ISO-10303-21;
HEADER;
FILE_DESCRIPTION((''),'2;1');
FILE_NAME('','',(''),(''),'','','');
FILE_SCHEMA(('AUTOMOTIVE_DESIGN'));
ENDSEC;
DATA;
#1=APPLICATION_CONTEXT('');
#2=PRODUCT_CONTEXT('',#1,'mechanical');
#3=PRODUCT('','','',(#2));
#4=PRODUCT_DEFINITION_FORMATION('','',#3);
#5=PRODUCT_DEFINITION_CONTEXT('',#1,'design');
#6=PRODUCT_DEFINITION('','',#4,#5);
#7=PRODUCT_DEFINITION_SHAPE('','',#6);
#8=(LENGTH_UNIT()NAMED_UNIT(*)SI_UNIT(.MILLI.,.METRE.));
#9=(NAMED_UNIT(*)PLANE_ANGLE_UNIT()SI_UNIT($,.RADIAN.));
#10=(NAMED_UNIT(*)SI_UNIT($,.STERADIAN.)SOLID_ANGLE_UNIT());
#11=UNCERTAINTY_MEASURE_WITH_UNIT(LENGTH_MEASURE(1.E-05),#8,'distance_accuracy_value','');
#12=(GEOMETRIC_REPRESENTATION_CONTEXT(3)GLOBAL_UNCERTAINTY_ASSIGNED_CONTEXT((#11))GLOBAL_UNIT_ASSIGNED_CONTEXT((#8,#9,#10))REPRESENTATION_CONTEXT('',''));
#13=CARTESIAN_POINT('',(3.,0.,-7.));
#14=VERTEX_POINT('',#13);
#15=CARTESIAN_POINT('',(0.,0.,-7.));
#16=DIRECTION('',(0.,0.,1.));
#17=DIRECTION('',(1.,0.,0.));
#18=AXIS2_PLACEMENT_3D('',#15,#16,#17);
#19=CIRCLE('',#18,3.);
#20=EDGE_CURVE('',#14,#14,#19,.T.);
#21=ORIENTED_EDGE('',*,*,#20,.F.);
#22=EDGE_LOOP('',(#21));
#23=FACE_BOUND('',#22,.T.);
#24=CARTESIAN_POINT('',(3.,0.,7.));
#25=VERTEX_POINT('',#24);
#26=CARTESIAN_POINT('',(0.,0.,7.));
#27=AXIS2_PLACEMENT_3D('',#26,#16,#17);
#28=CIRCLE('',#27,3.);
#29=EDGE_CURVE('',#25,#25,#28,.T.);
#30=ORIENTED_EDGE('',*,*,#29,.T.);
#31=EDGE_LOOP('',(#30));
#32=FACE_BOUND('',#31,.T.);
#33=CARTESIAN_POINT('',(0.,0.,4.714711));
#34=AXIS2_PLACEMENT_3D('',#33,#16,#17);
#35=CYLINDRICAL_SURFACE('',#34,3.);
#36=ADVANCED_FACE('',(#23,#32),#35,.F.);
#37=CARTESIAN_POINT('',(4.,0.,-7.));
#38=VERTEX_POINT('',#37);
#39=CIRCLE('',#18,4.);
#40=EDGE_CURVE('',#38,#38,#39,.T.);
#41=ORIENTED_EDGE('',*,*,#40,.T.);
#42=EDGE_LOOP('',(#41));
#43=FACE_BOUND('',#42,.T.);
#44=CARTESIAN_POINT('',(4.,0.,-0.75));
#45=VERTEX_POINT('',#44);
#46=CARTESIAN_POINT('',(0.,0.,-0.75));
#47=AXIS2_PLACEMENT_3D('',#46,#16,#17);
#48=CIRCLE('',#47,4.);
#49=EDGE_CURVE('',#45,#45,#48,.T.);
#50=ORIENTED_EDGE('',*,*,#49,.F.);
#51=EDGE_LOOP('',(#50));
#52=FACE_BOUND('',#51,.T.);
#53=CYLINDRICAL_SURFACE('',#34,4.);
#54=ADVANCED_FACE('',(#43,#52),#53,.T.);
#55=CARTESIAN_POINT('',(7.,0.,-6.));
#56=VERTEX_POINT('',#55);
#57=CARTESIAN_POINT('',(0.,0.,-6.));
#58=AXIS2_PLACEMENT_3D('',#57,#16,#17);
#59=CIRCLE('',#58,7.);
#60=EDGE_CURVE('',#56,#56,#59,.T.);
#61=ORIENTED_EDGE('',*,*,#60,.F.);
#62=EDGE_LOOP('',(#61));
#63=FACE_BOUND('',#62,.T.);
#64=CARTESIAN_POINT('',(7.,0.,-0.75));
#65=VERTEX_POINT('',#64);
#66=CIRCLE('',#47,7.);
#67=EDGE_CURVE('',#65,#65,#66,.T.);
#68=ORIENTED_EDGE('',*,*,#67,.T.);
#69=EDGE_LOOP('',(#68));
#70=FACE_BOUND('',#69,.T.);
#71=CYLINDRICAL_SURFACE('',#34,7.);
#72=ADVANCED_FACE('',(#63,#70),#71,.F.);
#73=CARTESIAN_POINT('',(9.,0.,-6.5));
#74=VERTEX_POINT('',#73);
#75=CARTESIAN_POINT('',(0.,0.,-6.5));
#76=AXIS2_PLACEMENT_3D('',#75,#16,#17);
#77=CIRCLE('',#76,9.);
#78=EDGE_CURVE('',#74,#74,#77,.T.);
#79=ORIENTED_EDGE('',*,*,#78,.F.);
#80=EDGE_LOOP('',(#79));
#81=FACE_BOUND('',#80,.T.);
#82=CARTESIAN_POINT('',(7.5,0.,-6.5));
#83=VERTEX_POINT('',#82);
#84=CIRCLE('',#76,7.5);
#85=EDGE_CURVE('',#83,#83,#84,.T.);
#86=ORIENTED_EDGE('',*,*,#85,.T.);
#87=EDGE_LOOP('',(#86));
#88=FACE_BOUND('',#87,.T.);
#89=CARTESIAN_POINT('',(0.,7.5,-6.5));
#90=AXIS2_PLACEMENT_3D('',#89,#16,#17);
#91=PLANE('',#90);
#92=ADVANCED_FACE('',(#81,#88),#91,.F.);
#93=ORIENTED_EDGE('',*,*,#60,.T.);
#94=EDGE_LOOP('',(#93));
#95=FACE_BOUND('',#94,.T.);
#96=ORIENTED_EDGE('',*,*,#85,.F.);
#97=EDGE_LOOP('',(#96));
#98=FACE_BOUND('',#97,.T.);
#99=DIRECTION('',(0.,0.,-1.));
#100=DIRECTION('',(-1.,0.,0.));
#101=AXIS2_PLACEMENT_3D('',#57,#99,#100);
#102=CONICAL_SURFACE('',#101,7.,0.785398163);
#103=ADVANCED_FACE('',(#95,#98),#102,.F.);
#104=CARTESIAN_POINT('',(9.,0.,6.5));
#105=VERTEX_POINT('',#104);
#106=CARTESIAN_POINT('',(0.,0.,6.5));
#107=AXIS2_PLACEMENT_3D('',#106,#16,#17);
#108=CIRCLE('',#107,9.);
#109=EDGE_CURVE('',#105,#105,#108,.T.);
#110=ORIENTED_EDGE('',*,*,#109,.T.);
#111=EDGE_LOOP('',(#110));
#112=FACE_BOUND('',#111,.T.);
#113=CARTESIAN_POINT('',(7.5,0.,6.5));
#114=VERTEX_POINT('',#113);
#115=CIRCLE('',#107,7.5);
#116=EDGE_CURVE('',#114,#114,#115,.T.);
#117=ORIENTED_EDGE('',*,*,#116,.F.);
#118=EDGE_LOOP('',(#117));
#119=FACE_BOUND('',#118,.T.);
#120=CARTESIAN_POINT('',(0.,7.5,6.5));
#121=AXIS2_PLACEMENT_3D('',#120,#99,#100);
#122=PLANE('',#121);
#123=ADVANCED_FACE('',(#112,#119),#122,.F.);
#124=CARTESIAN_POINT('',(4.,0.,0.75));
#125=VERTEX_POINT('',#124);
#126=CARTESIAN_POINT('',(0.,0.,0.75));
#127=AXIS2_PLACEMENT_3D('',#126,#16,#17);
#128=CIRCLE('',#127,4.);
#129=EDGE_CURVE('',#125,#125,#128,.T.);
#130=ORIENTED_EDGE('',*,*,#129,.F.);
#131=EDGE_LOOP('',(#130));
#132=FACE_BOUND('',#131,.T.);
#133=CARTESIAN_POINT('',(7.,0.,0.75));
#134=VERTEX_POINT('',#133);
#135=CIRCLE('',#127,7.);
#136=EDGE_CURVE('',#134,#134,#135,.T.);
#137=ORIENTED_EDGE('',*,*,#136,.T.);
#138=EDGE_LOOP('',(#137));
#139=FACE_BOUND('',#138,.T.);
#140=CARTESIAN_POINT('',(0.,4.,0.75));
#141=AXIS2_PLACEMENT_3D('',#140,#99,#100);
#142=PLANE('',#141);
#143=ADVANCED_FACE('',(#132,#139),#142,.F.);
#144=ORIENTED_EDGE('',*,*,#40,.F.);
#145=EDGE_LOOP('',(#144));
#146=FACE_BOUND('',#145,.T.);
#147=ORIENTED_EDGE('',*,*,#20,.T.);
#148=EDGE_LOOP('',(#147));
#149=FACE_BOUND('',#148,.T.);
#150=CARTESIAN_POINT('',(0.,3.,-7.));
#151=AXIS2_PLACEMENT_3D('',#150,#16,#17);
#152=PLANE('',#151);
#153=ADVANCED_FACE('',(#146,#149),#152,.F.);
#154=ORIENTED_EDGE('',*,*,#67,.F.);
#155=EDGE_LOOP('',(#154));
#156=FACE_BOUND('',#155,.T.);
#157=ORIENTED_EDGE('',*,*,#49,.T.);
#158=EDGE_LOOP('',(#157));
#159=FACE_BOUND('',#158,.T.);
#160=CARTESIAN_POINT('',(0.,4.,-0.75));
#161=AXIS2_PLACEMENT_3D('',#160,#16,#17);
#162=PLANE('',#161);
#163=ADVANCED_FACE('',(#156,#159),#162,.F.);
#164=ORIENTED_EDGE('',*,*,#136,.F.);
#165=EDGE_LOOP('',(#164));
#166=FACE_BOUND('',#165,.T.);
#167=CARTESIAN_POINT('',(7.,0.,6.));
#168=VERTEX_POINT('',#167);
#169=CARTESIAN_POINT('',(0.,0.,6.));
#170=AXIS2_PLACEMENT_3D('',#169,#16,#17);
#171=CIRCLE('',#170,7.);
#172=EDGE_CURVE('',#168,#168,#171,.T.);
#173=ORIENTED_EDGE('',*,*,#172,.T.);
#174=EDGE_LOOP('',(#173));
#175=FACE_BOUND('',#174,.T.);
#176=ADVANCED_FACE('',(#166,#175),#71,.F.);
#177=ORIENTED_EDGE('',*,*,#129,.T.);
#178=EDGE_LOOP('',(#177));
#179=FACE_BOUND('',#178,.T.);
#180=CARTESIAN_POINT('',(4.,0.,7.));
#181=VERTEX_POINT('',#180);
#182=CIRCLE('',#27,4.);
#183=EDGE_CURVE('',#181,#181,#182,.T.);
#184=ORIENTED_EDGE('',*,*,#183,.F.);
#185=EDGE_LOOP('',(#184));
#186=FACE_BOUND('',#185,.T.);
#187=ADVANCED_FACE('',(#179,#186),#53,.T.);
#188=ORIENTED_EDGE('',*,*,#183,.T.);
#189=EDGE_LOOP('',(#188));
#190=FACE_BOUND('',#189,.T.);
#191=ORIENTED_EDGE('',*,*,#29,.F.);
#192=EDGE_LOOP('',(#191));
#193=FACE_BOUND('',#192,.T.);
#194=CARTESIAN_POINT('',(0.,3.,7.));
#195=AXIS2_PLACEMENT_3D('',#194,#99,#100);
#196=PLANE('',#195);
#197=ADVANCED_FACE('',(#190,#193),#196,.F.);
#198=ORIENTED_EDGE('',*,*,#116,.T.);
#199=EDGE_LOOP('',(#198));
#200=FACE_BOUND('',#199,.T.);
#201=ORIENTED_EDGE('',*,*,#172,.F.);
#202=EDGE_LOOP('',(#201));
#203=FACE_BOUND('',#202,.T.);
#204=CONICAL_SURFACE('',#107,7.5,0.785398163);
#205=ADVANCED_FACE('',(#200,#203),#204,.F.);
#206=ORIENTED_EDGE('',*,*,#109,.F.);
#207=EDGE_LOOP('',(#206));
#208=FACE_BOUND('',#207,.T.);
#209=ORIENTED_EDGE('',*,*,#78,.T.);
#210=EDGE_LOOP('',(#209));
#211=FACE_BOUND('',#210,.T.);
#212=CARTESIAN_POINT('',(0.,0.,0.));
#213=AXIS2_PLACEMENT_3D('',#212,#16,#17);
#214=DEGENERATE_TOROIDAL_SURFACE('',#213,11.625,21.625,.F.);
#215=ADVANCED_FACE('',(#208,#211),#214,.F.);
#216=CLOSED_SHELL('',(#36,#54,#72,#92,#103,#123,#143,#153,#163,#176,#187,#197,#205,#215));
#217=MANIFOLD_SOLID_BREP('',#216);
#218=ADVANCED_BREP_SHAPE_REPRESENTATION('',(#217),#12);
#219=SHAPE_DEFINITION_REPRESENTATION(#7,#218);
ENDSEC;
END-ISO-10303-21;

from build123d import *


with BuildPart() as part:
    # Esquisse1 → Révolution1 (revolve)
    with BuildSketch(Plane(origin=(0, 0, 0), x_dir=(0, 0, -1), z_dir=(1, 0, 0))):
        with BuildLine():
            Line((7, 3), (-7, 3))
            Line((-7, 3), (-7, 4))
            Line((-7, 4), (-0.75, 4))
            Line((-0.75, 4), (-0.75, 7))
            Line((-0.75, 7), (-6, 7))
            Line((-6, 7), (-6.5, 7.5))
            Line((-6.5, 7.5), (-6.5, 9))
            ThreePointArc((-6.5, 9), (0, 10), (6.5, 9))
            Line((6.5, 9), (6.5, 7.5))
            Line((6.5, 7.5), (6, 7))
            Line((6, 7), (0.75, 7))
            Line((0.75, 7), (0.75, 4))
            Line((0.75, 4), (7, 4))
            Line((7, 4), (7, 3))
        make_face()
    revolve(axis=Axis((0, 0, 4.7147115), (0, 0, -1)))


solid = part.part
